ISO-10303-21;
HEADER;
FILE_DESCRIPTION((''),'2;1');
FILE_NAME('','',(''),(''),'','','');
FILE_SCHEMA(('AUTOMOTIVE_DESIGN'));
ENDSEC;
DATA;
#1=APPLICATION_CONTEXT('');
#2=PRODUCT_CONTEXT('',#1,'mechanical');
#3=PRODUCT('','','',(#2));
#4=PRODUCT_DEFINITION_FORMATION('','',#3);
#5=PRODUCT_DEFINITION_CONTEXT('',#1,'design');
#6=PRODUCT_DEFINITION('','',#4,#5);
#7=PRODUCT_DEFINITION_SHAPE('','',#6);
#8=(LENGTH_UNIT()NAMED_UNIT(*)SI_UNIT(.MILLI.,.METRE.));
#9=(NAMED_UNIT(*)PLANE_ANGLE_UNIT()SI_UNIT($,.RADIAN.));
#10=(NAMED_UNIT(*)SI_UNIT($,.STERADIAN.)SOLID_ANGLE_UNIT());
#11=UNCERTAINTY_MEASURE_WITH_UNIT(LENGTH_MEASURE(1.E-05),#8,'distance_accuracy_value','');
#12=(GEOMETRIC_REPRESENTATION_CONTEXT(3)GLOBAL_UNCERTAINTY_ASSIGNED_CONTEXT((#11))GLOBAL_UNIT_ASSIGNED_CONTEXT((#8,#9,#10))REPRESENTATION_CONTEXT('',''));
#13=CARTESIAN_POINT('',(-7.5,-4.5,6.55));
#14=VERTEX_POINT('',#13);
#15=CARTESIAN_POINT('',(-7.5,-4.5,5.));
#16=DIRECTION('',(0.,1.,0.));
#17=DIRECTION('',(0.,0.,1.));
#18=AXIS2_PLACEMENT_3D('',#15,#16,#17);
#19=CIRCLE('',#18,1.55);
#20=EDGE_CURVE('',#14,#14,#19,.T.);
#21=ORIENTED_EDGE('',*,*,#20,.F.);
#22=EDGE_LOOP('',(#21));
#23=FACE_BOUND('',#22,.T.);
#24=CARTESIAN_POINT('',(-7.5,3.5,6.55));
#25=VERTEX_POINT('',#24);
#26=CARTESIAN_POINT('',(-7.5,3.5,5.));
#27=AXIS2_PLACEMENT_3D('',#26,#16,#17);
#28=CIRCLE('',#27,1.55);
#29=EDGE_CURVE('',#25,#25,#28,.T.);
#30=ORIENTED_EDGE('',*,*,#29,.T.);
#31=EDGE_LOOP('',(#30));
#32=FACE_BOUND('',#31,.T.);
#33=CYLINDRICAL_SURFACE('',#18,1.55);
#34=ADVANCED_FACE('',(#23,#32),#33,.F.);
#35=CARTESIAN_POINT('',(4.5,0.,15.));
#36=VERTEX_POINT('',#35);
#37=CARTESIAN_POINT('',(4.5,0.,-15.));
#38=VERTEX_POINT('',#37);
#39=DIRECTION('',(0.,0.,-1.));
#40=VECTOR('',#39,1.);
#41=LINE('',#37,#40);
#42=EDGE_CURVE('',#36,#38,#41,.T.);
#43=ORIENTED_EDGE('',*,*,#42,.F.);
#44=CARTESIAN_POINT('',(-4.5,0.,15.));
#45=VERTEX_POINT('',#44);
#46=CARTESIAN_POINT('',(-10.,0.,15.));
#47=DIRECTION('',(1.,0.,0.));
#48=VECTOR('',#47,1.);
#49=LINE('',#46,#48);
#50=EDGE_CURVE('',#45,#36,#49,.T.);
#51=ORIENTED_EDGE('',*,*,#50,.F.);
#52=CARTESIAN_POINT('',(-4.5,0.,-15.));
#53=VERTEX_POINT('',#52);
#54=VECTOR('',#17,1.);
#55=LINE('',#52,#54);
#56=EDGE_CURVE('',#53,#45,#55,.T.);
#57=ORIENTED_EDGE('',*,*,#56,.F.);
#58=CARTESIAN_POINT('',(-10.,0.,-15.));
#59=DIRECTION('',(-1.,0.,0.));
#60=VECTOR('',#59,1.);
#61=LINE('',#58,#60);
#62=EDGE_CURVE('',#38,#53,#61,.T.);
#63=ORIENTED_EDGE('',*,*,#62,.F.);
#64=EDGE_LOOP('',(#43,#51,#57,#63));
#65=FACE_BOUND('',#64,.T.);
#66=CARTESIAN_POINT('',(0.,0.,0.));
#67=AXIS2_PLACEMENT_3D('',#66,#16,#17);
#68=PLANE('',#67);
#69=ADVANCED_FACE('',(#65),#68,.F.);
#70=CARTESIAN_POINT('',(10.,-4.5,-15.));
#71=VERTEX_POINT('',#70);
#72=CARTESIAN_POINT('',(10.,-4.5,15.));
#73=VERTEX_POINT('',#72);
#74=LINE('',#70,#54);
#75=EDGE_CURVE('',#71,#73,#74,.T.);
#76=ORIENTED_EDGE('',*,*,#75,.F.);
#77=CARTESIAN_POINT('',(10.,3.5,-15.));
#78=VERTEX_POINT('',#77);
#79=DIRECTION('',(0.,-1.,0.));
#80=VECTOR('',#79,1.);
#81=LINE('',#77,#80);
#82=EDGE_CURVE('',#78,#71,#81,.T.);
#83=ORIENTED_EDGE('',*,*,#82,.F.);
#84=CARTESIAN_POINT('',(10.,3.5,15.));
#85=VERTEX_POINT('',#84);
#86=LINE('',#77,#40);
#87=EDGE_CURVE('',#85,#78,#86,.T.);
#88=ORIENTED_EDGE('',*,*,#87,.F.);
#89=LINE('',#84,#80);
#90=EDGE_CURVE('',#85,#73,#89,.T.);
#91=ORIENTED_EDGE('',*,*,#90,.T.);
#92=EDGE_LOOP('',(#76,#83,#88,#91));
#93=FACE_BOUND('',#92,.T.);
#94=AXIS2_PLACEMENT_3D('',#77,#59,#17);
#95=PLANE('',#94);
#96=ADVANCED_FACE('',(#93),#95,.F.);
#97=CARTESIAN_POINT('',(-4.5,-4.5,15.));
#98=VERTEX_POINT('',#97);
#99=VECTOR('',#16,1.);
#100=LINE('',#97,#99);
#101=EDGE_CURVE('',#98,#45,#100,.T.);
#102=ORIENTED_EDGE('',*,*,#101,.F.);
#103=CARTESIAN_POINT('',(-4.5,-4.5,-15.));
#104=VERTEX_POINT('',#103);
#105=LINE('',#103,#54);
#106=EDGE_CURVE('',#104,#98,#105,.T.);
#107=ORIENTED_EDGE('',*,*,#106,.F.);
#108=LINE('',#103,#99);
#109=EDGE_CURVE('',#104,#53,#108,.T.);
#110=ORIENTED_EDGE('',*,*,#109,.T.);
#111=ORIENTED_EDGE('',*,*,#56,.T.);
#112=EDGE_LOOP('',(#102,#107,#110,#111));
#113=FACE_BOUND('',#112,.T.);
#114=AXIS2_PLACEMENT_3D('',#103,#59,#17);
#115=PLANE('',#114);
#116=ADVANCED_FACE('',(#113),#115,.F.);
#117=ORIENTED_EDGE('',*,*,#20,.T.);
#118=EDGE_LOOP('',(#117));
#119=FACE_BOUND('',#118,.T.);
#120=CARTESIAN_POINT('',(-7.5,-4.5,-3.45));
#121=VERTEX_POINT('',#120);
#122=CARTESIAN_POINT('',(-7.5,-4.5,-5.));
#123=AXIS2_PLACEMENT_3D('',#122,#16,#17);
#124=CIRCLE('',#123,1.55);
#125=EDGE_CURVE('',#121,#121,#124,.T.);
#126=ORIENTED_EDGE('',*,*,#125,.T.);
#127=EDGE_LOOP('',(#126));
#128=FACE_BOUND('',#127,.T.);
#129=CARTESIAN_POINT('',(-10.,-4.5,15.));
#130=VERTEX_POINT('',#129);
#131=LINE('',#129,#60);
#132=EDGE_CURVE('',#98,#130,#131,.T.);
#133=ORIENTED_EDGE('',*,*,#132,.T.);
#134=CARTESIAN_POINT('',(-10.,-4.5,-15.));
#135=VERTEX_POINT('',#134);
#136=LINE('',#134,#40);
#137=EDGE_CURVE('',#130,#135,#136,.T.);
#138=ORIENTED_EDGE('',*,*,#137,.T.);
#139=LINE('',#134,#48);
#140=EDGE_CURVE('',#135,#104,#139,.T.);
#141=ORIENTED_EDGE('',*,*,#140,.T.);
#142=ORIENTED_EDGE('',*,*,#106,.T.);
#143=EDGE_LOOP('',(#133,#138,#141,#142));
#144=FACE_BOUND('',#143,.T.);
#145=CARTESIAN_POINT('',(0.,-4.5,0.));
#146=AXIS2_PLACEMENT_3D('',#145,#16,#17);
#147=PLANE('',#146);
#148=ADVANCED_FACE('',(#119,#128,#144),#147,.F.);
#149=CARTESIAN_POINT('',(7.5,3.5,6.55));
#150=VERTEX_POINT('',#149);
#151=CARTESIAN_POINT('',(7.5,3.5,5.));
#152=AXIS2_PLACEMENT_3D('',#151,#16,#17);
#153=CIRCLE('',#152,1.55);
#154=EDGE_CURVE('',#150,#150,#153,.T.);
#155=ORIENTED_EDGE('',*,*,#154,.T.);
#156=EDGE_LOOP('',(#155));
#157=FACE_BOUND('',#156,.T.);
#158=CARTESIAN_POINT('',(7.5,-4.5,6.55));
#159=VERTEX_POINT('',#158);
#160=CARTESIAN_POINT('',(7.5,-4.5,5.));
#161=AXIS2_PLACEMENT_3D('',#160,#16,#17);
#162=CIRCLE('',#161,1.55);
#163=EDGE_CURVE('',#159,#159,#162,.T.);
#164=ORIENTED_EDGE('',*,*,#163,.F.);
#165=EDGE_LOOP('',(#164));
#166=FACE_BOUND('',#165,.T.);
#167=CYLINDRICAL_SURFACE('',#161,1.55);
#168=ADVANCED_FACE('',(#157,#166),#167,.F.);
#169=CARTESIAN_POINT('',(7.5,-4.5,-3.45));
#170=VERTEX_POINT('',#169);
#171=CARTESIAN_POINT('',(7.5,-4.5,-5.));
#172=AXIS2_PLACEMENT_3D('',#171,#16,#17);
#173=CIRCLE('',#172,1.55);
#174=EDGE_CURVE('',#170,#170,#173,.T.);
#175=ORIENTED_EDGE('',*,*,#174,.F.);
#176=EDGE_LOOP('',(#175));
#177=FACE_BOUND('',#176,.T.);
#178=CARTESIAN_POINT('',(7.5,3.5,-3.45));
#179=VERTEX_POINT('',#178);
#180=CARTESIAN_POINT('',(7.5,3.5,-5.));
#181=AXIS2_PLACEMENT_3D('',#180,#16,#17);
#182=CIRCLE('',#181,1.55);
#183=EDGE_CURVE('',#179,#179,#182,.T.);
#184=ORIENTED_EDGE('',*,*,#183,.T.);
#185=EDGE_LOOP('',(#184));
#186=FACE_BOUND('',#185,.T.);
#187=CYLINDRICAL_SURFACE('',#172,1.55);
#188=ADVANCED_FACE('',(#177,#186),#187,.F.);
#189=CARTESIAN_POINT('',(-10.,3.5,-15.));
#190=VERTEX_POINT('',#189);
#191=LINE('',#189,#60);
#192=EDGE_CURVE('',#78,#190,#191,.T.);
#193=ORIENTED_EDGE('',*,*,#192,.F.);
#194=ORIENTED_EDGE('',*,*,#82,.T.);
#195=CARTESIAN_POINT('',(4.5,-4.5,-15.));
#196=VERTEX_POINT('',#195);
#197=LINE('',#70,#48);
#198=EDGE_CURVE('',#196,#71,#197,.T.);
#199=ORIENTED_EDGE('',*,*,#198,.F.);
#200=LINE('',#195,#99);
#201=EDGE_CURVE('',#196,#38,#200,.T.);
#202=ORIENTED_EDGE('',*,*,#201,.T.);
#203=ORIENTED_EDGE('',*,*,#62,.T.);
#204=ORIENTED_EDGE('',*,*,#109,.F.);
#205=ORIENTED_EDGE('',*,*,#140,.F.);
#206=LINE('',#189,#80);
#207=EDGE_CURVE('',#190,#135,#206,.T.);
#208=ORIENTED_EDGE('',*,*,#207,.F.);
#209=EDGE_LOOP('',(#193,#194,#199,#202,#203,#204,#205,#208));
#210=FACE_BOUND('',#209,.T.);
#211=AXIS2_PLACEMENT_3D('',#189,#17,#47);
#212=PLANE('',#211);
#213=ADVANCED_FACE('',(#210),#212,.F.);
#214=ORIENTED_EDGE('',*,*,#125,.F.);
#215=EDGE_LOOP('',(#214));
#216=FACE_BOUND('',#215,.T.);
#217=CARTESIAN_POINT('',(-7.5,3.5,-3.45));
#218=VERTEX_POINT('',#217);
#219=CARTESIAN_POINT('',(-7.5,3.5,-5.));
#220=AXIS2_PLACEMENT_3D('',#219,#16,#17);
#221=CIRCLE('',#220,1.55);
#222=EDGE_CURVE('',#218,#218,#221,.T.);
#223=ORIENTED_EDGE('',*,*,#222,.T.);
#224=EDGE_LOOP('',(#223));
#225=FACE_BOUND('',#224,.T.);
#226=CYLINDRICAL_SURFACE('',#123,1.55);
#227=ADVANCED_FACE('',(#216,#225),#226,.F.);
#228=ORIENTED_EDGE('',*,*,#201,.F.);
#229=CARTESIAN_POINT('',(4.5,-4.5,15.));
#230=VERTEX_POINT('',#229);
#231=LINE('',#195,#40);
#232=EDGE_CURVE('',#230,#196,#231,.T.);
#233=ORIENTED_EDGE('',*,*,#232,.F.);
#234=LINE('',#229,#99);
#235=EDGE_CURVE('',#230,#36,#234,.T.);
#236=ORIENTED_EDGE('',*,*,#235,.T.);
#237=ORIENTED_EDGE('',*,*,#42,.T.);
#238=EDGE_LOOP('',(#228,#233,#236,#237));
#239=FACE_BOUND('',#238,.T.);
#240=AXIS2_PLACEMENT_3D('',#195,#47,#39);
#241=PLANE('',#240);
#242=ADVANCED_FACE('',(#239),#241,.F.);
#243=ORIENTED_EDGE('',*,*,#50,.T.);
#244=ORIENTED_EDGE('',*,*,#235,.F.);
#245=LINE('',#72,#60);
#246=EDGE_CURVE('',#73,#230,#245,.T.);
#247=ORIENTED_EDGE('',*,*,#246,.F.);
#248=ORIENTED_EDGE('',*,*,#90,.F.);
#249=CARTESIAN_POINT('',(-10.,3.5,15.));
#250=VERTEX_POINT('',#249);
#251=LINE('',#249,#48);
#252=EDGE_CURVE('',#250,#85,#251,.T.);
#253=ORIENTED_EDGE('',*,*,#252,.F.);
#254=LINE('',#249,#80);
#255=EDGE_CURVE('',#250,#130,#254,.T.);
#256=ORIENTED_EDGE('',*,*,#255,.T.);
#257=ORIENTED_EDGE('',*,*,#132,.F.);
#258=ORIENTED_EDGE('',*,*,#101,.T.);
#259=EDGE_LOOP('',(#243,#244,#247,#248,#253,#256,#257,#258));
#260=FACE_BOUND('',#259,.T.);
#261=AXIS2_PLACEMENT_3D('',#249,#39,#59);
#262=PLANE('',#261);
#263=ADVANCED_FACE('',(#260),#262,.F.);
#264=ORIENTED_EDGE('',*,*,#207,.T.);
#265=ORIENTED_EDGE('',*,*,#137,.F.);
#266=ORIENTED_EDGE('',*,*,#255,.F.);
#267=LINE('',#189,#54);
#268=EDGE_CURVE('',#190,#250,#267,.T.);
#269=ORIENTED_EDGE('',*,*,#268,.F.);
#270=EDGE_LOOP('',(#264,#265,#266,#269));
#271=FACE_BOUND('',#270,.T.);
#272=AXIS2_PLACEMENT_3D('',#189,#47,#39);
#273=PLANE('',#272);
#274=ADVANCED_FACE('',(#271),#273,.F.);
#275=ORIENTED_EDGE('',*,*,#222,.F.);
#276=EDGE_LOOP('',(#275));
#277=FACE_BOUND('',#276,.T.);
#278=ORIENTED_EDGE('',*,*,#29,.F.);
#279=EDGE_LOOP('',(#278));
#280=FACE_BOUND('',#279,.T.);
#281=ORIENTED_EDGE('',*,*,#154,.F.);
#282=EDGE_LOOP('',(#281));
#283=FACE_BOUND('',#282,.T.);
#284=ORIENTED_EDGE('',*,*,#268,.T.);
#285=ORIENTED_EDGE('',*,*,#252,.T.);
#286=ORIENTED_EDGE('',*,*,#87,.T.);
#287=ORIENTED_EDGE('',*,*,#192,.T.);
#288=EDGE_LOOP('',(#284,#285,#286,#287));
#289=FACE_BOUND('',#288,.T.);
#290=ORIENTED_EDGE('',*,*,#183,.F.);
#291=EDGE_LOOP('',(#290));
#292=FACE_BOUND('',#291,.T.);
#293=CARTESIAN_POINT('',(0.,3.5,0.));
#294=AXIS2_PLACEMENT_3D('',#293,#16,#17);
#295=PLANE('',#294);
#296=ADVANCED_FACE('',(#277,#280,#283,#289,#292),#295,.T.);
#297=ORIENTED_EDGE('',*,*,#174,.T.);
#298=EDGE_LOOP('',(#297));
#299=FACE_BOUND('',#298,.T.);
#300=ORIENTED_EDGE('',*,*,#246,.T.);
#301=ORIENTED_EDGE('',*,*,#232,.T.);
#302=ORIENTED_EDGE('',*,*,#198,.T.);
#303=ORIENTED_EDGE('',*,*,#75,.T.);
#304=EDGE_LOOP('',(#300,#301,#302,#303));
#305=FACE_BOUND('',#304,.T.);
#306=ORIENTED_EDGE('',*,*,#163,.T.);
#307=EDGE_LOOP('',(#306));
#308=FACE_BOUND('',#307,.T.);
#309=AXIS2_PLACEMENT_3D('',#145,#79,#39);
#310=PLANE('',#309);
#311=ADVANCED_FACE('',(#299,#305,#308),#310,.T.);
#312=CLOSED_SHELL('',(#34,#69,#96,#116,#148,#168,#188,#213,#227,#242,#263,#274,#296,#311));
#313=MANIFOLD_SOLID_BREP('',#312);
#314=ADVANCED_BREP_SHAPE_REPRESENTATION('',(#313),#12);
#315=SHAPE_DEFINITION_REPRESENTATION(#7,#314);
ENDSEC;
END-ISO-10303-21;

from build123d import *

# Parameters (mm, degrees)
SKETCH_1_W          = 20
SKETCH_1_H          = 30
EXTRUDE_1_DEPTH     = 3.5
SKETCH_2_W          = 5.5
SKETCH_2_H          = 30
EXTRUDE_2_DEPTH     = 4.5
SKETCH_3_R          = 1.55
CUT_EXTRUDE_1_DEPTH = 8


with BuildPart() as part:
    # 草图1 → 凸台-拉伸1 (new body)
    with BuildSketch(Plane(origin=(0, 0, 0), x_dir=(1, 0, 0), z_dir=(0, 1, 0))):
        Rectangle(SKETCH_1_W, SKETCH_1_H)
    extrude(amount=EXTRUDE_1_DEPTH)

    # 草图2 → 凸台-拉伸2 (add)
    with BuildSketch(Plane(origin=(0, 0, 0), x_dir=(-1, 0, 0), z_dir=(0, -1, 0))):
        with Locations((-7.25, 0)):
            Rectangle(SKETCH_2_W, SKETCH_2_H)
        with Locations((7.25, 0)):
            Rectangle(SKETCH_2_W, SKETCH_2_H)
    extrude(amount=EXTRUDE_2_DEPTH)

    # 草图3 → 切除-拉伸1 (cut)
    with BuildSketch(Plane(origin=(0, 3.5, 0), x_dir=(1, 0, 0), z_dir=(0, 1, 0))):
        with Locations(Location((-7.5, -5, 0), (0, 0, 270))):
            Circle(SKETCH_3_R)
        with Locations(Location((-7.5, 5, 0), (0, 0, 270))):
            Circle(SKETCH_3_R)
        with Locations(Location((7.5, 5, 0), (0, 0, 270))):
            Circle(SKETCH_3_R)
        with Locations(Location((7.5, -5, 0), (0, 0, 270))):
            Circle(SKETCH_3_R)
    extrude(amount=-CUT_EXTRUDE_1_DEPTH, mode=Mode.SUBTRACT)


solid = part.part
